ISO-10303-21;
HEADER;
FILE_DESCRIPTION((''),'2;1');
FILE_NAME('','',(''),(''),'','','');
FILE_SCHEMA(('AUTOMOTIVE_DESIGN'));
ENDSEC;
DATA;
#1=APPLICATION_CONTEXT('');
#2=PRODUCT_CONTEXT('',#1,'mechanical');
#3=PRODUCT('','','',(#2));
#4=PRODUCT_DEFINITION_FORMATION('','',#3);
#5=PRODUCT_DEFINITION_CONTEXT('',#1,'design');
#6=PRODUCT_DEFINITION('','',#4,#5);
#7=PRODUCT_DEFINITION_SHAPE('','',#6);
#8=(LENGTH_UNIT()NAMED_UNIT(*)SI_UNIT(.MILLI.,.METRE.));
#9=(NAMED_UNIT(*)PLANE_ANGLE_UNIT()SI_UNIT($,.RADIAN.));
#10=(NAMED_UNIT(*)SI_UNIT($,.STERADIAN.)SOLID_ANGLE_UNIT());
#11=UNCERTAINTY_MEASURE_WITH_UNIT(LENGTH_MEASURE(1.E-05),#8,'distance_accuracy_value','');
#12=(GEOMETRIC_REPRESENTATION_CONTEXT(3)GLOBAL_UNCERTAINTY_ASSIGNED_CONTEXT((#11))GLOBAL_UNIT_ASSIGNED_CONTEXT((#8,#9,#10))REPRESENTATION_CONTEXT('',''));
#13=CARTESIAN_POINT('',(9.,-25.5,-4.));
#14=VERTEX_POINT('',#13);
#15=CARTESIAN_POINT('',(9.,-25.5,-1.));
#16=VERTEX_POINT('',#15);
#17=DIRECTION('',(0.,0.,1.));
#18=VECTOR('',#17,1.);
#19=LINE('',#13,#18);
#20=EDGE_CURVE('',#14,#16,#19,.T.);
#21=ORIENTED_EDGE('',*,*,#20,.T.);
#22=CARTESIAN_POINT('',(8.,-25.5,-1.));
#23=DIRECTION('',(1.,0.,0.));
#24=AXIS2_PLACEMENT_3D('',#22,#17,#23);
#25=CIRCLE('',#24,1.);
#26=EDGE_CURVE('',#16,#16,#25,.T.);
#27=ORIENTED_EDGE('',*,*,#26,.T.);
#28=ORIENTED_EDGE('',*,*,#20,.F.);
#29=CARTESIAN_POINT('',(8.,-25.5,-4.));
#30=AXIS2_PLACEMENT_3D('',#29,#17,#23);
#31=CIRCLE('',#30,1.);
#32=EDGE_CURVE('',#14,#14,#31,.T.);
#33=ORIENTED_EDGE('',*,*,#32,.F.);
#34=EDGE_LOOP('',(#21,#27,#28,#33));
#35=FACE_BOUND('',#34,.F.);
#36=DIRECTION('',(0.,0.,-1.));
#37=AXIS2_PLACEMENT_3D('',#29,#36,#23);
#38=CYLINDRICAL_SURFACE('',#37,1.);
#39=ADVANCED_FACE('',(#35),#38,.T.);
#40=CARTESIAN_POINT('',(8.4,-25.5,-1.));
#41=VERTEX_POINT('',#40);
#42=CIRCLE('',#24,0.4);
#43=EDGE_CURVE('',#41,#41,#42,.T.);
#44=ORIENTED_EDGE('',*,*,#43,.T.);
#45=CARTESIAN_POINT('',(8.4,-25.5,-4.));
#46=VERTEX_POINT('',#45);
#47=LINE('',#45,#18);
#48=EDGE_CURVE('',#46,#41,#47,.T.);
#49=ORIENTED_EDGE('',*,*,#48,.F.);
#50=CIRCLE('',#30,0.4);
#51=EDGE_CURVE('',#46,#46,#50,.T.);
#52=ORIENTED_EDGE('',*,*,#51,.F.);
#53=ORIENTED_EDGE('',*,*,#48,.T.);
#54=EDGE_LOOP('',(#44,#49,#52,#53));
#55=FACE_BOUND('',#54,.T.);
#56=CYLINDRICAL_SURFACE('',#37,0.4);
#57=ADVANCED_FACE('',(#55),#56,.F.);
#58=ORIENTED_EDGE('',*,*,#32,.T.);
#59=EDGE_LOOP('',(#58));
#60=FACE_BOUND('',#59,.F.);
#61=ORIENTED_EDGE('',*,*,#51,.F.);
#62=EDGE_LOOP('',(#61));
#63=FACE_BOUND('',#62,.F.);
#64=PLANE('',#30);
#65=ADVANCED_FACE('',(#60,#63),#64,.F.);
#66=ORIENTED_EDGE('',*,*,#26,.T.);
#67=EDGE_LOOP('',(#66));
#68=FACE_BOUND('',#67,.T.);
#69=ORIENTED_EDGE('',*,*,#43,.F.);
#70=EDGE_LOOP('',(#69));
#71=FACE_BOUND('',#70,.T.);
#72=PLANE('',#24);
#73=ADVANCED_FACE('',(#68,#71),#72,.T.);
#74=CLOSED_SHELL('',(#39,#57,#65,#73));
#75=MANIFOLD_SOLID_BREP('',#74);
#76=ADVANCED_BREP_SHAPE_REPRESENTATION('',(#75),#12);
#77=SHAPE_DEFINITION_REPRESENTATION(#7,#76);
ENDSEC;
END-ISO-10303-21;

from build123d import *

# Parameters (mm, degrees)
CYLINDER003_R     = 0.4
CYLINDER003_DEPTH = 3
CYLINDER_R        = 1
CYLINDER_DEPTH    = 3


with BuildPart() as cylinder003:
    # Cylinder003 → Cylinder003 (new body)
    with BuildSketch(Plane(origin=(8, -25.5, -4), x_dir=(1, 0, 0), z_dir=(0, 0, 1))):
        Circle(CYLINDER003_R)
    extrude(amount=CYLINDER003_DEPTH)


with BuildPart() as cut005:
    # Cylinder → Cylinder (new body)
    with BuildSketch(Plane(origin=(8, -25.5, -4), x_dir=(1, 0, 0), z_dir=(0, 0, 1))):
        Circle(CYLINDER_R)
    extrude(amount=CYLINDER_DEPTH)

    # Cut005: cut Cylinder003
    add(cylinder003.part, mode=Mode.SUBTRACT)


solid = cut005.part
